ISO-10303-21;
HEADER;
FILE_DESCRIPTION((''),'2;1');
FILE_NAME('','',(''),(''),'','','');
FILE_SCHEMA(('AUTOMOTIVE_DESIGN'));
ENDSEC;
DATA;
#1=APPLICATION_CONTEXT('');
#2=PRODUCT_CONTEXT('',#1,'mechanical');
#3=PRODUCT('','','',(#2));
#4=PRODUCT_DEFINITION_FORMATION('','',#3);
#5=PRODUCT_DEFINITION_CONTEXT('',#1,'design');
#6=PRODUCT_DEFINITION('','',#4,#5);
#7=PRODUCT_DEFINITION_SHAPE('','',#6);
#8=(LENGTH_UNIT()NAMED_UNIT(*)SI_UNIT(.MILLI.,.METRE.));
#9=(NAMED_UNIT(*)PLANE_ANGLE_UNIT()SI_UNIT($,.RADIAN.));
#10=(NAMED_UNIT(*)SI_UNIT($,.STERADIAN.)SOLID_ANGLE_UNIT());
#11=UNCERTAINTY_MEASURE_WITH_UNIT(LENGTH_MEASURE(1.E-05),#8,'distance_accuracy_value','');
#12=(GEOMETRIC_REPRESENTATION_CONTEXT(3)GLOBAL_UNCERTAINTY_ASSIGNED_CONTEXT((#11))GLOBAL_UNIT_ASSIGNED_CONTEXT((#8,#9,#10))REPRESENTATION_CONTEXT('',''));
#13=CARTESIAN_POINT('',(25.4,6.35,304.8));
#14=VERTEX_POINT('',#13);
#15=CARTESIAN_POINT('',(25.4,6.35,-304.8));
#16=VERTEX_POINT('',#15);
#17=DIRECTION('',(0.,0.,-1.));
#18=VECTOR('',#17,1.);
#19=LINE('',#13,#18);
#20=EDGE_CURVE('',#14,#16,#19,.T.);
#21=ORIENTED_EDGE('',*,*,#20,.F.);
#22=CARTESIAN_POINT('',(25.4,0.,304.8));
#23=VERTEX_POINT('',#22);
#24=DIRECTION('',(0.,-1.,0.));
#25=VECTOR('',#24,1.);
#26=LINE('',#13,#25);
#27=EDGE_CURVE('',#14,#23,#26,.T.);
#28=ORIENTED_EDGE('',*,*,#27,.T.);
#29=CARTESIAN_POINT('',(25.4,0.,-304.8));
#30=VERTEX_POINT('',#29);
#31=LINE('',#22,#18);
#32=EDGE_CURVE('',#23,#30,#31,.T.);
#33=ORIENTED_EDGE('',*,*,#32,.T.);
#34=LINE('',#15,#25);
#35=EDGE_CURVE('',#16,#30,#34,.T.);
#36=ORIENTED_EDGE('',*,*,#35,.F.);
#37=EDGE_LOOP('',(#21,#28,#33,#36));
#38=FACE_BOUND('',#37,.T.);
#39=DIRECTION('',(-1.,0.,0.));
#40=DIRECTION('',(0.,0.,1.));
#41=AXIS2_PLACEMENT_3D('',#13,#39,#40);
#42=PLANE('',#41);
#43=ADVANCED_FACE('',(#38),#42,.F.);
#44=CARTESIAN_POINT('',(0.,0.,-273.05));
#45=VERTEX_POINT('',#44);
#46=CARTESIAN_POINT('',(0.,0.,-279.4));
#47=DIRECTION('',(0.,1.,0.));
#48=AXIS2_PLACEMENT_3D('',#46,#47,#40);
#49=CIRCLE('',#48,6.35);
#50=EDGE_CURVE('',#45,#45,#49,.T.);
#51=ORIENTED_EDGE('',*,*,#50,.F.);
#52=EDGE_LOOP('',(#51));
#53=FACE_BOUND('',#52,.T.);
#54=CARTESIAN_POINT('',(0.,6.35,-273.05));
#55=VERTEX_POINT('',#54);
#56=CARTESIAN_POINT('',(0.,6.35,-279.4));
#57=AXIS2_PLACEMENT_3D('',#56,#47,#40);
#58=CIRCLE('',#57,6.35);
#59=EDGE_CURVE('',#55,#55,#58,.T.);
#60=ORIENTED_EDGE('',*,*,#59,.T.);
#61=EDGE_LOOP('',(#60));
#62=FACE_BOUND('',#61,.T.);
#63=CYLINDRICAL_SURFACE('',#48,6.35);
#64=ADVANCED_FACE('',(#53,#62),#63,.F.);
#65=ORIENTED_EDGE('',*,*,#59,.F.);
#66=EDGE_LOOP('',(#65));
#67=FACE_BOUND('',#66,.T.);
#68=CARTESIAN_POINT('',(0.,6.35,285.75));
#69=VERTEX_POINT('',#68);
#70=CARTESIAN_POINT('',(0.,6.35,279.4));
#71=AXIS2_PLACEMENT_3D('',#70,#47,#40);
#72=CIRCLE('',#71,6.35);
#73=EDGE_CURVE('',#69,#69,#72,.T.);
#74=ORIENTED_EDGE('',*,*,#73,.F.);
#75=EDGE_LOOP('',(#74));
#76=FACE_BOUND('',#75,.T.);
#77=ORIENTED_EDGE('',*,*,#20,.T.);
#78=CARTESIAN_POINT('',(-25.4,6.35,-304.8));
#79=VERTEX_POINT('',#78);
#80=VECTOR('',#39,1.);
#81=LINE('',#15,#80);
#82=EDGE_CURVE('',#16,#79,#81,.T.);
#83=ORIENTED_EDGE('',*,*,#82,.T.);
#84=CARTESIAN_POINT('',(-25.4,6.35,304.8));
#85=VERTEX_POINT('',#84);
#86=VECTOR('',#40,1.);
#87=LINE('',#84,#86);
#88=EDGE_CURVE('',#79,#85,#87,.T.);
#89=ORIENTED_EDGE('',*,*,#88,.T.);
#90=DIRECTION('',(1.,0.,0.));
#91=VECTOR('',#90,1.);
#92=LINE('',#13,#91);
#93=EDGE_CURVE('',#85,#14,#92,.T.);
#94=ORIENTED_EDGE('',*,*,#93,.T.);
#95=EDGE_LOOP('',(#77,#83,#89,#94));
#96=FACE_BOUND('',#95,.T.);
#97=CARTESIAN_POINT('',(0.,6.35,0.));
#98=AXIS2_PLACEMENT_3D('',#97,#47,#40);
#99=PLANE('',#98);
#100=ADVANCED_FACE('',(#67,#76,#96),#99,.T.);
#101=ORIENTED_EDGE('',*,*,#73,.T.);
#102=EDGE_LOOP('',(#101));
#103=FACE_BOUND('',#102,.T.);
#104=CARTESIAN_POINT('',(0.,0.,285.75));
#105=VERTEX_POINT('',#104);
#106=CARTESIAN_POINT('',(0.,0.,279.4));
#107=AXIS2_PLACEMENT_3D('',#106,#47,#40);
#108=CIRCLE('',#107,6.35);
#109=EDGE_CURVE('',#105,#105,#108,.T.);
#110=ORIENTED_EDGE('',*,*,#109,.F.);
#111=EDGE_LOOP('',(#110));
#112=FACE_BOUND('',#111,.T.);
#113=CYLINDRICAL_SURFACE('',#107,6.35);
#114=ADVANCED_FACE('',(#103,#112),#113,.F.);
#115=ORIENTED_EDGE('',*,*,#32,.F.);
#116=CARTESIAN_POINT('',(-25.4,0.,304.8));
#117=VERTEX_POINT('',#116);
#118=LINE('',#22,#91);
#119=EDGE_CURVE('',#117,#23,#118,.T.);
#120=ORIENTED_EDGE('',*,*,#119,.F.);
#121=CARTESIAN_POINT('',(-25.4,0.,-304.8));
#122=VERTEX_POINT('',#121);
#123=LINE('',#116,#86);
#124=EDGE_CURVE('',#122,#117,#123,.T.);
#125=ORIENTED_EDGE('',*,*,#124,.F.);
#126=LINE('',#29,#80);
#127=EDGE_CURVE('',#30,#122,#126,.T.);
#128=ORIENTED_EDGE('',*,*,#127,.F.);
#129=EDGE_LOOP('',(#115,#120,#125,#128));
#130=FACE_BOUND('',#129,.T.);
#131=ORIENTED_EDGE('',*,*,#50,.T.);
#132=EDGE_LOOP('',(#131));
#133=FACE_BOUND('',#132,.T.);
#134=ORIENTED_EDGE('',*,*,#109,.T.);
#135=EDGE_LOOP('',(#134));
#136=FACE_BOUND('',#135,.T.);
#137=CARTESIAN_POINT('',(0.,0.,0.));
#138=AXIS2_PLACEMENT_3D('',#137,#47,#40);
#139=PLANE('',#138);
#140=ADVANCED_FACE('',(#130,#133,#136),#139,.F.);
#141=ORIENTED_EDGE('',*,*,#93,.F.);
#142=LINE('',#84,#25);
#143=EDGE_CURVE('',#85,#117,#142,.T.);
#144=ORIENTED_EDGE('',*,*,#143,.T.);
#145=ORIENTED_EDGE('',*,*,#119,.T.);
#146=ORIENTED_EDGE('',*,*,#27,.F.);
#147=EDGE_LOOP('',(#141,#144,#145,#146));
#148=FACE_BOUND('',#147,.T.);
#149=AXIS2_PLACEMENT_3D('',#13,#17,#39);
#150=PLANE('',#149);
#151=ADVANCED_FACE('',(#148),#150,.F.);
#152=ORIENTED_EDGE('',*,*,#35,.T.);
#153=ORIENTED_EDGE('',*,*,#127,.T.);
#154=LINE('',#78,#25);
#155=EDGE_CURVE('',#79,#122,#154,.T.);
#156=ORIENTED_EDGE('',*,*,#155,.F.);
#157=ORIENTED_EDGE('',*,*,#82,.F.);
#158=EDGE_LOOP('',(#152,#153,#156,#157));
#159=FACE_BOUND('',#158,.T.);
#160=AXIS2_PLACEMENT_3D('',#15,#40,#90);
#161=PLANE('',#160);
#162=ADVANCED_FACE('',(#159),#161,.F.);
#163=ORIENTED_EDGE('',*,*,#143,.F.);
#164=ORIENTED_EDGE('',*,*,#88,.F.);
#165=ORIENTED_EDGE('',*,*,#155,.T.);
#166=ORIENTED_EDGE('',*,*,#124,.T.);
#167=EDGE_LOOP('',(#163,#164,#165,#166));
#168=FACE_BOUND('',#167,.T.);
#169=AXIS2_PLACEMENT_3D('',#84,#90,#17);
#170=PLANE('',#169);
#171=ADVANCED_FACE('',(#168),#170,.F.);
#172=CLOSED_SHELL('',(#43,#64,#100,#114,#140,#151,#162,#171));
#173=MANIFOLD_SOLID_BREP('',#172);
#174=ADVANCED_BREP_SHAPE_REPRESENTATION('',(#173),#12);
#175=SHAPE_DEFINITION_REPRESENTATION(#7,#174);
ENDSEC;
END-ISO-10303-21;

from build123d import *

# Parameters (mm, degrees)
SKETCH1_W           = 50.8
SKETCH1_H           = 609.6
BOSS_EXTRUDE1_DEPTH = 6.35
SKETCH2_R           = 6.35
CUT_EXTRUDE1_DEPTH  = 7.35


with BuildPart() as part:
    # Sketch1 → Boss-Extrude1 (new body)
    with BuildSketch(Plane(origin=(0, 0, 0), x_dir=(1, 0, 0), z_dir=(0, 1, 0))):
        Rectangle(SKETCH1_W, SKETCH1_H)
    extrude(amount=BOSS_EXTRUDE1_DEPTH)

    # Sketch2 → Cut-Extrude1 (cut, through all)
    with BuildSketch(Plane(origin=(0, 6.35, 0), x_dir=(1, 0, 0), z_dir=(0, 1, 0))):
        with Locations((0, 279.4)):
            Circle(SKETCH2_R)
        with Locations((0, -279.4)):
            Circle(SKETCH2_R)
    extrude(amount=-CUT_EXTRUDE1_DEPTH, mode=Mode.SUBTRACT)


solid = part.part
